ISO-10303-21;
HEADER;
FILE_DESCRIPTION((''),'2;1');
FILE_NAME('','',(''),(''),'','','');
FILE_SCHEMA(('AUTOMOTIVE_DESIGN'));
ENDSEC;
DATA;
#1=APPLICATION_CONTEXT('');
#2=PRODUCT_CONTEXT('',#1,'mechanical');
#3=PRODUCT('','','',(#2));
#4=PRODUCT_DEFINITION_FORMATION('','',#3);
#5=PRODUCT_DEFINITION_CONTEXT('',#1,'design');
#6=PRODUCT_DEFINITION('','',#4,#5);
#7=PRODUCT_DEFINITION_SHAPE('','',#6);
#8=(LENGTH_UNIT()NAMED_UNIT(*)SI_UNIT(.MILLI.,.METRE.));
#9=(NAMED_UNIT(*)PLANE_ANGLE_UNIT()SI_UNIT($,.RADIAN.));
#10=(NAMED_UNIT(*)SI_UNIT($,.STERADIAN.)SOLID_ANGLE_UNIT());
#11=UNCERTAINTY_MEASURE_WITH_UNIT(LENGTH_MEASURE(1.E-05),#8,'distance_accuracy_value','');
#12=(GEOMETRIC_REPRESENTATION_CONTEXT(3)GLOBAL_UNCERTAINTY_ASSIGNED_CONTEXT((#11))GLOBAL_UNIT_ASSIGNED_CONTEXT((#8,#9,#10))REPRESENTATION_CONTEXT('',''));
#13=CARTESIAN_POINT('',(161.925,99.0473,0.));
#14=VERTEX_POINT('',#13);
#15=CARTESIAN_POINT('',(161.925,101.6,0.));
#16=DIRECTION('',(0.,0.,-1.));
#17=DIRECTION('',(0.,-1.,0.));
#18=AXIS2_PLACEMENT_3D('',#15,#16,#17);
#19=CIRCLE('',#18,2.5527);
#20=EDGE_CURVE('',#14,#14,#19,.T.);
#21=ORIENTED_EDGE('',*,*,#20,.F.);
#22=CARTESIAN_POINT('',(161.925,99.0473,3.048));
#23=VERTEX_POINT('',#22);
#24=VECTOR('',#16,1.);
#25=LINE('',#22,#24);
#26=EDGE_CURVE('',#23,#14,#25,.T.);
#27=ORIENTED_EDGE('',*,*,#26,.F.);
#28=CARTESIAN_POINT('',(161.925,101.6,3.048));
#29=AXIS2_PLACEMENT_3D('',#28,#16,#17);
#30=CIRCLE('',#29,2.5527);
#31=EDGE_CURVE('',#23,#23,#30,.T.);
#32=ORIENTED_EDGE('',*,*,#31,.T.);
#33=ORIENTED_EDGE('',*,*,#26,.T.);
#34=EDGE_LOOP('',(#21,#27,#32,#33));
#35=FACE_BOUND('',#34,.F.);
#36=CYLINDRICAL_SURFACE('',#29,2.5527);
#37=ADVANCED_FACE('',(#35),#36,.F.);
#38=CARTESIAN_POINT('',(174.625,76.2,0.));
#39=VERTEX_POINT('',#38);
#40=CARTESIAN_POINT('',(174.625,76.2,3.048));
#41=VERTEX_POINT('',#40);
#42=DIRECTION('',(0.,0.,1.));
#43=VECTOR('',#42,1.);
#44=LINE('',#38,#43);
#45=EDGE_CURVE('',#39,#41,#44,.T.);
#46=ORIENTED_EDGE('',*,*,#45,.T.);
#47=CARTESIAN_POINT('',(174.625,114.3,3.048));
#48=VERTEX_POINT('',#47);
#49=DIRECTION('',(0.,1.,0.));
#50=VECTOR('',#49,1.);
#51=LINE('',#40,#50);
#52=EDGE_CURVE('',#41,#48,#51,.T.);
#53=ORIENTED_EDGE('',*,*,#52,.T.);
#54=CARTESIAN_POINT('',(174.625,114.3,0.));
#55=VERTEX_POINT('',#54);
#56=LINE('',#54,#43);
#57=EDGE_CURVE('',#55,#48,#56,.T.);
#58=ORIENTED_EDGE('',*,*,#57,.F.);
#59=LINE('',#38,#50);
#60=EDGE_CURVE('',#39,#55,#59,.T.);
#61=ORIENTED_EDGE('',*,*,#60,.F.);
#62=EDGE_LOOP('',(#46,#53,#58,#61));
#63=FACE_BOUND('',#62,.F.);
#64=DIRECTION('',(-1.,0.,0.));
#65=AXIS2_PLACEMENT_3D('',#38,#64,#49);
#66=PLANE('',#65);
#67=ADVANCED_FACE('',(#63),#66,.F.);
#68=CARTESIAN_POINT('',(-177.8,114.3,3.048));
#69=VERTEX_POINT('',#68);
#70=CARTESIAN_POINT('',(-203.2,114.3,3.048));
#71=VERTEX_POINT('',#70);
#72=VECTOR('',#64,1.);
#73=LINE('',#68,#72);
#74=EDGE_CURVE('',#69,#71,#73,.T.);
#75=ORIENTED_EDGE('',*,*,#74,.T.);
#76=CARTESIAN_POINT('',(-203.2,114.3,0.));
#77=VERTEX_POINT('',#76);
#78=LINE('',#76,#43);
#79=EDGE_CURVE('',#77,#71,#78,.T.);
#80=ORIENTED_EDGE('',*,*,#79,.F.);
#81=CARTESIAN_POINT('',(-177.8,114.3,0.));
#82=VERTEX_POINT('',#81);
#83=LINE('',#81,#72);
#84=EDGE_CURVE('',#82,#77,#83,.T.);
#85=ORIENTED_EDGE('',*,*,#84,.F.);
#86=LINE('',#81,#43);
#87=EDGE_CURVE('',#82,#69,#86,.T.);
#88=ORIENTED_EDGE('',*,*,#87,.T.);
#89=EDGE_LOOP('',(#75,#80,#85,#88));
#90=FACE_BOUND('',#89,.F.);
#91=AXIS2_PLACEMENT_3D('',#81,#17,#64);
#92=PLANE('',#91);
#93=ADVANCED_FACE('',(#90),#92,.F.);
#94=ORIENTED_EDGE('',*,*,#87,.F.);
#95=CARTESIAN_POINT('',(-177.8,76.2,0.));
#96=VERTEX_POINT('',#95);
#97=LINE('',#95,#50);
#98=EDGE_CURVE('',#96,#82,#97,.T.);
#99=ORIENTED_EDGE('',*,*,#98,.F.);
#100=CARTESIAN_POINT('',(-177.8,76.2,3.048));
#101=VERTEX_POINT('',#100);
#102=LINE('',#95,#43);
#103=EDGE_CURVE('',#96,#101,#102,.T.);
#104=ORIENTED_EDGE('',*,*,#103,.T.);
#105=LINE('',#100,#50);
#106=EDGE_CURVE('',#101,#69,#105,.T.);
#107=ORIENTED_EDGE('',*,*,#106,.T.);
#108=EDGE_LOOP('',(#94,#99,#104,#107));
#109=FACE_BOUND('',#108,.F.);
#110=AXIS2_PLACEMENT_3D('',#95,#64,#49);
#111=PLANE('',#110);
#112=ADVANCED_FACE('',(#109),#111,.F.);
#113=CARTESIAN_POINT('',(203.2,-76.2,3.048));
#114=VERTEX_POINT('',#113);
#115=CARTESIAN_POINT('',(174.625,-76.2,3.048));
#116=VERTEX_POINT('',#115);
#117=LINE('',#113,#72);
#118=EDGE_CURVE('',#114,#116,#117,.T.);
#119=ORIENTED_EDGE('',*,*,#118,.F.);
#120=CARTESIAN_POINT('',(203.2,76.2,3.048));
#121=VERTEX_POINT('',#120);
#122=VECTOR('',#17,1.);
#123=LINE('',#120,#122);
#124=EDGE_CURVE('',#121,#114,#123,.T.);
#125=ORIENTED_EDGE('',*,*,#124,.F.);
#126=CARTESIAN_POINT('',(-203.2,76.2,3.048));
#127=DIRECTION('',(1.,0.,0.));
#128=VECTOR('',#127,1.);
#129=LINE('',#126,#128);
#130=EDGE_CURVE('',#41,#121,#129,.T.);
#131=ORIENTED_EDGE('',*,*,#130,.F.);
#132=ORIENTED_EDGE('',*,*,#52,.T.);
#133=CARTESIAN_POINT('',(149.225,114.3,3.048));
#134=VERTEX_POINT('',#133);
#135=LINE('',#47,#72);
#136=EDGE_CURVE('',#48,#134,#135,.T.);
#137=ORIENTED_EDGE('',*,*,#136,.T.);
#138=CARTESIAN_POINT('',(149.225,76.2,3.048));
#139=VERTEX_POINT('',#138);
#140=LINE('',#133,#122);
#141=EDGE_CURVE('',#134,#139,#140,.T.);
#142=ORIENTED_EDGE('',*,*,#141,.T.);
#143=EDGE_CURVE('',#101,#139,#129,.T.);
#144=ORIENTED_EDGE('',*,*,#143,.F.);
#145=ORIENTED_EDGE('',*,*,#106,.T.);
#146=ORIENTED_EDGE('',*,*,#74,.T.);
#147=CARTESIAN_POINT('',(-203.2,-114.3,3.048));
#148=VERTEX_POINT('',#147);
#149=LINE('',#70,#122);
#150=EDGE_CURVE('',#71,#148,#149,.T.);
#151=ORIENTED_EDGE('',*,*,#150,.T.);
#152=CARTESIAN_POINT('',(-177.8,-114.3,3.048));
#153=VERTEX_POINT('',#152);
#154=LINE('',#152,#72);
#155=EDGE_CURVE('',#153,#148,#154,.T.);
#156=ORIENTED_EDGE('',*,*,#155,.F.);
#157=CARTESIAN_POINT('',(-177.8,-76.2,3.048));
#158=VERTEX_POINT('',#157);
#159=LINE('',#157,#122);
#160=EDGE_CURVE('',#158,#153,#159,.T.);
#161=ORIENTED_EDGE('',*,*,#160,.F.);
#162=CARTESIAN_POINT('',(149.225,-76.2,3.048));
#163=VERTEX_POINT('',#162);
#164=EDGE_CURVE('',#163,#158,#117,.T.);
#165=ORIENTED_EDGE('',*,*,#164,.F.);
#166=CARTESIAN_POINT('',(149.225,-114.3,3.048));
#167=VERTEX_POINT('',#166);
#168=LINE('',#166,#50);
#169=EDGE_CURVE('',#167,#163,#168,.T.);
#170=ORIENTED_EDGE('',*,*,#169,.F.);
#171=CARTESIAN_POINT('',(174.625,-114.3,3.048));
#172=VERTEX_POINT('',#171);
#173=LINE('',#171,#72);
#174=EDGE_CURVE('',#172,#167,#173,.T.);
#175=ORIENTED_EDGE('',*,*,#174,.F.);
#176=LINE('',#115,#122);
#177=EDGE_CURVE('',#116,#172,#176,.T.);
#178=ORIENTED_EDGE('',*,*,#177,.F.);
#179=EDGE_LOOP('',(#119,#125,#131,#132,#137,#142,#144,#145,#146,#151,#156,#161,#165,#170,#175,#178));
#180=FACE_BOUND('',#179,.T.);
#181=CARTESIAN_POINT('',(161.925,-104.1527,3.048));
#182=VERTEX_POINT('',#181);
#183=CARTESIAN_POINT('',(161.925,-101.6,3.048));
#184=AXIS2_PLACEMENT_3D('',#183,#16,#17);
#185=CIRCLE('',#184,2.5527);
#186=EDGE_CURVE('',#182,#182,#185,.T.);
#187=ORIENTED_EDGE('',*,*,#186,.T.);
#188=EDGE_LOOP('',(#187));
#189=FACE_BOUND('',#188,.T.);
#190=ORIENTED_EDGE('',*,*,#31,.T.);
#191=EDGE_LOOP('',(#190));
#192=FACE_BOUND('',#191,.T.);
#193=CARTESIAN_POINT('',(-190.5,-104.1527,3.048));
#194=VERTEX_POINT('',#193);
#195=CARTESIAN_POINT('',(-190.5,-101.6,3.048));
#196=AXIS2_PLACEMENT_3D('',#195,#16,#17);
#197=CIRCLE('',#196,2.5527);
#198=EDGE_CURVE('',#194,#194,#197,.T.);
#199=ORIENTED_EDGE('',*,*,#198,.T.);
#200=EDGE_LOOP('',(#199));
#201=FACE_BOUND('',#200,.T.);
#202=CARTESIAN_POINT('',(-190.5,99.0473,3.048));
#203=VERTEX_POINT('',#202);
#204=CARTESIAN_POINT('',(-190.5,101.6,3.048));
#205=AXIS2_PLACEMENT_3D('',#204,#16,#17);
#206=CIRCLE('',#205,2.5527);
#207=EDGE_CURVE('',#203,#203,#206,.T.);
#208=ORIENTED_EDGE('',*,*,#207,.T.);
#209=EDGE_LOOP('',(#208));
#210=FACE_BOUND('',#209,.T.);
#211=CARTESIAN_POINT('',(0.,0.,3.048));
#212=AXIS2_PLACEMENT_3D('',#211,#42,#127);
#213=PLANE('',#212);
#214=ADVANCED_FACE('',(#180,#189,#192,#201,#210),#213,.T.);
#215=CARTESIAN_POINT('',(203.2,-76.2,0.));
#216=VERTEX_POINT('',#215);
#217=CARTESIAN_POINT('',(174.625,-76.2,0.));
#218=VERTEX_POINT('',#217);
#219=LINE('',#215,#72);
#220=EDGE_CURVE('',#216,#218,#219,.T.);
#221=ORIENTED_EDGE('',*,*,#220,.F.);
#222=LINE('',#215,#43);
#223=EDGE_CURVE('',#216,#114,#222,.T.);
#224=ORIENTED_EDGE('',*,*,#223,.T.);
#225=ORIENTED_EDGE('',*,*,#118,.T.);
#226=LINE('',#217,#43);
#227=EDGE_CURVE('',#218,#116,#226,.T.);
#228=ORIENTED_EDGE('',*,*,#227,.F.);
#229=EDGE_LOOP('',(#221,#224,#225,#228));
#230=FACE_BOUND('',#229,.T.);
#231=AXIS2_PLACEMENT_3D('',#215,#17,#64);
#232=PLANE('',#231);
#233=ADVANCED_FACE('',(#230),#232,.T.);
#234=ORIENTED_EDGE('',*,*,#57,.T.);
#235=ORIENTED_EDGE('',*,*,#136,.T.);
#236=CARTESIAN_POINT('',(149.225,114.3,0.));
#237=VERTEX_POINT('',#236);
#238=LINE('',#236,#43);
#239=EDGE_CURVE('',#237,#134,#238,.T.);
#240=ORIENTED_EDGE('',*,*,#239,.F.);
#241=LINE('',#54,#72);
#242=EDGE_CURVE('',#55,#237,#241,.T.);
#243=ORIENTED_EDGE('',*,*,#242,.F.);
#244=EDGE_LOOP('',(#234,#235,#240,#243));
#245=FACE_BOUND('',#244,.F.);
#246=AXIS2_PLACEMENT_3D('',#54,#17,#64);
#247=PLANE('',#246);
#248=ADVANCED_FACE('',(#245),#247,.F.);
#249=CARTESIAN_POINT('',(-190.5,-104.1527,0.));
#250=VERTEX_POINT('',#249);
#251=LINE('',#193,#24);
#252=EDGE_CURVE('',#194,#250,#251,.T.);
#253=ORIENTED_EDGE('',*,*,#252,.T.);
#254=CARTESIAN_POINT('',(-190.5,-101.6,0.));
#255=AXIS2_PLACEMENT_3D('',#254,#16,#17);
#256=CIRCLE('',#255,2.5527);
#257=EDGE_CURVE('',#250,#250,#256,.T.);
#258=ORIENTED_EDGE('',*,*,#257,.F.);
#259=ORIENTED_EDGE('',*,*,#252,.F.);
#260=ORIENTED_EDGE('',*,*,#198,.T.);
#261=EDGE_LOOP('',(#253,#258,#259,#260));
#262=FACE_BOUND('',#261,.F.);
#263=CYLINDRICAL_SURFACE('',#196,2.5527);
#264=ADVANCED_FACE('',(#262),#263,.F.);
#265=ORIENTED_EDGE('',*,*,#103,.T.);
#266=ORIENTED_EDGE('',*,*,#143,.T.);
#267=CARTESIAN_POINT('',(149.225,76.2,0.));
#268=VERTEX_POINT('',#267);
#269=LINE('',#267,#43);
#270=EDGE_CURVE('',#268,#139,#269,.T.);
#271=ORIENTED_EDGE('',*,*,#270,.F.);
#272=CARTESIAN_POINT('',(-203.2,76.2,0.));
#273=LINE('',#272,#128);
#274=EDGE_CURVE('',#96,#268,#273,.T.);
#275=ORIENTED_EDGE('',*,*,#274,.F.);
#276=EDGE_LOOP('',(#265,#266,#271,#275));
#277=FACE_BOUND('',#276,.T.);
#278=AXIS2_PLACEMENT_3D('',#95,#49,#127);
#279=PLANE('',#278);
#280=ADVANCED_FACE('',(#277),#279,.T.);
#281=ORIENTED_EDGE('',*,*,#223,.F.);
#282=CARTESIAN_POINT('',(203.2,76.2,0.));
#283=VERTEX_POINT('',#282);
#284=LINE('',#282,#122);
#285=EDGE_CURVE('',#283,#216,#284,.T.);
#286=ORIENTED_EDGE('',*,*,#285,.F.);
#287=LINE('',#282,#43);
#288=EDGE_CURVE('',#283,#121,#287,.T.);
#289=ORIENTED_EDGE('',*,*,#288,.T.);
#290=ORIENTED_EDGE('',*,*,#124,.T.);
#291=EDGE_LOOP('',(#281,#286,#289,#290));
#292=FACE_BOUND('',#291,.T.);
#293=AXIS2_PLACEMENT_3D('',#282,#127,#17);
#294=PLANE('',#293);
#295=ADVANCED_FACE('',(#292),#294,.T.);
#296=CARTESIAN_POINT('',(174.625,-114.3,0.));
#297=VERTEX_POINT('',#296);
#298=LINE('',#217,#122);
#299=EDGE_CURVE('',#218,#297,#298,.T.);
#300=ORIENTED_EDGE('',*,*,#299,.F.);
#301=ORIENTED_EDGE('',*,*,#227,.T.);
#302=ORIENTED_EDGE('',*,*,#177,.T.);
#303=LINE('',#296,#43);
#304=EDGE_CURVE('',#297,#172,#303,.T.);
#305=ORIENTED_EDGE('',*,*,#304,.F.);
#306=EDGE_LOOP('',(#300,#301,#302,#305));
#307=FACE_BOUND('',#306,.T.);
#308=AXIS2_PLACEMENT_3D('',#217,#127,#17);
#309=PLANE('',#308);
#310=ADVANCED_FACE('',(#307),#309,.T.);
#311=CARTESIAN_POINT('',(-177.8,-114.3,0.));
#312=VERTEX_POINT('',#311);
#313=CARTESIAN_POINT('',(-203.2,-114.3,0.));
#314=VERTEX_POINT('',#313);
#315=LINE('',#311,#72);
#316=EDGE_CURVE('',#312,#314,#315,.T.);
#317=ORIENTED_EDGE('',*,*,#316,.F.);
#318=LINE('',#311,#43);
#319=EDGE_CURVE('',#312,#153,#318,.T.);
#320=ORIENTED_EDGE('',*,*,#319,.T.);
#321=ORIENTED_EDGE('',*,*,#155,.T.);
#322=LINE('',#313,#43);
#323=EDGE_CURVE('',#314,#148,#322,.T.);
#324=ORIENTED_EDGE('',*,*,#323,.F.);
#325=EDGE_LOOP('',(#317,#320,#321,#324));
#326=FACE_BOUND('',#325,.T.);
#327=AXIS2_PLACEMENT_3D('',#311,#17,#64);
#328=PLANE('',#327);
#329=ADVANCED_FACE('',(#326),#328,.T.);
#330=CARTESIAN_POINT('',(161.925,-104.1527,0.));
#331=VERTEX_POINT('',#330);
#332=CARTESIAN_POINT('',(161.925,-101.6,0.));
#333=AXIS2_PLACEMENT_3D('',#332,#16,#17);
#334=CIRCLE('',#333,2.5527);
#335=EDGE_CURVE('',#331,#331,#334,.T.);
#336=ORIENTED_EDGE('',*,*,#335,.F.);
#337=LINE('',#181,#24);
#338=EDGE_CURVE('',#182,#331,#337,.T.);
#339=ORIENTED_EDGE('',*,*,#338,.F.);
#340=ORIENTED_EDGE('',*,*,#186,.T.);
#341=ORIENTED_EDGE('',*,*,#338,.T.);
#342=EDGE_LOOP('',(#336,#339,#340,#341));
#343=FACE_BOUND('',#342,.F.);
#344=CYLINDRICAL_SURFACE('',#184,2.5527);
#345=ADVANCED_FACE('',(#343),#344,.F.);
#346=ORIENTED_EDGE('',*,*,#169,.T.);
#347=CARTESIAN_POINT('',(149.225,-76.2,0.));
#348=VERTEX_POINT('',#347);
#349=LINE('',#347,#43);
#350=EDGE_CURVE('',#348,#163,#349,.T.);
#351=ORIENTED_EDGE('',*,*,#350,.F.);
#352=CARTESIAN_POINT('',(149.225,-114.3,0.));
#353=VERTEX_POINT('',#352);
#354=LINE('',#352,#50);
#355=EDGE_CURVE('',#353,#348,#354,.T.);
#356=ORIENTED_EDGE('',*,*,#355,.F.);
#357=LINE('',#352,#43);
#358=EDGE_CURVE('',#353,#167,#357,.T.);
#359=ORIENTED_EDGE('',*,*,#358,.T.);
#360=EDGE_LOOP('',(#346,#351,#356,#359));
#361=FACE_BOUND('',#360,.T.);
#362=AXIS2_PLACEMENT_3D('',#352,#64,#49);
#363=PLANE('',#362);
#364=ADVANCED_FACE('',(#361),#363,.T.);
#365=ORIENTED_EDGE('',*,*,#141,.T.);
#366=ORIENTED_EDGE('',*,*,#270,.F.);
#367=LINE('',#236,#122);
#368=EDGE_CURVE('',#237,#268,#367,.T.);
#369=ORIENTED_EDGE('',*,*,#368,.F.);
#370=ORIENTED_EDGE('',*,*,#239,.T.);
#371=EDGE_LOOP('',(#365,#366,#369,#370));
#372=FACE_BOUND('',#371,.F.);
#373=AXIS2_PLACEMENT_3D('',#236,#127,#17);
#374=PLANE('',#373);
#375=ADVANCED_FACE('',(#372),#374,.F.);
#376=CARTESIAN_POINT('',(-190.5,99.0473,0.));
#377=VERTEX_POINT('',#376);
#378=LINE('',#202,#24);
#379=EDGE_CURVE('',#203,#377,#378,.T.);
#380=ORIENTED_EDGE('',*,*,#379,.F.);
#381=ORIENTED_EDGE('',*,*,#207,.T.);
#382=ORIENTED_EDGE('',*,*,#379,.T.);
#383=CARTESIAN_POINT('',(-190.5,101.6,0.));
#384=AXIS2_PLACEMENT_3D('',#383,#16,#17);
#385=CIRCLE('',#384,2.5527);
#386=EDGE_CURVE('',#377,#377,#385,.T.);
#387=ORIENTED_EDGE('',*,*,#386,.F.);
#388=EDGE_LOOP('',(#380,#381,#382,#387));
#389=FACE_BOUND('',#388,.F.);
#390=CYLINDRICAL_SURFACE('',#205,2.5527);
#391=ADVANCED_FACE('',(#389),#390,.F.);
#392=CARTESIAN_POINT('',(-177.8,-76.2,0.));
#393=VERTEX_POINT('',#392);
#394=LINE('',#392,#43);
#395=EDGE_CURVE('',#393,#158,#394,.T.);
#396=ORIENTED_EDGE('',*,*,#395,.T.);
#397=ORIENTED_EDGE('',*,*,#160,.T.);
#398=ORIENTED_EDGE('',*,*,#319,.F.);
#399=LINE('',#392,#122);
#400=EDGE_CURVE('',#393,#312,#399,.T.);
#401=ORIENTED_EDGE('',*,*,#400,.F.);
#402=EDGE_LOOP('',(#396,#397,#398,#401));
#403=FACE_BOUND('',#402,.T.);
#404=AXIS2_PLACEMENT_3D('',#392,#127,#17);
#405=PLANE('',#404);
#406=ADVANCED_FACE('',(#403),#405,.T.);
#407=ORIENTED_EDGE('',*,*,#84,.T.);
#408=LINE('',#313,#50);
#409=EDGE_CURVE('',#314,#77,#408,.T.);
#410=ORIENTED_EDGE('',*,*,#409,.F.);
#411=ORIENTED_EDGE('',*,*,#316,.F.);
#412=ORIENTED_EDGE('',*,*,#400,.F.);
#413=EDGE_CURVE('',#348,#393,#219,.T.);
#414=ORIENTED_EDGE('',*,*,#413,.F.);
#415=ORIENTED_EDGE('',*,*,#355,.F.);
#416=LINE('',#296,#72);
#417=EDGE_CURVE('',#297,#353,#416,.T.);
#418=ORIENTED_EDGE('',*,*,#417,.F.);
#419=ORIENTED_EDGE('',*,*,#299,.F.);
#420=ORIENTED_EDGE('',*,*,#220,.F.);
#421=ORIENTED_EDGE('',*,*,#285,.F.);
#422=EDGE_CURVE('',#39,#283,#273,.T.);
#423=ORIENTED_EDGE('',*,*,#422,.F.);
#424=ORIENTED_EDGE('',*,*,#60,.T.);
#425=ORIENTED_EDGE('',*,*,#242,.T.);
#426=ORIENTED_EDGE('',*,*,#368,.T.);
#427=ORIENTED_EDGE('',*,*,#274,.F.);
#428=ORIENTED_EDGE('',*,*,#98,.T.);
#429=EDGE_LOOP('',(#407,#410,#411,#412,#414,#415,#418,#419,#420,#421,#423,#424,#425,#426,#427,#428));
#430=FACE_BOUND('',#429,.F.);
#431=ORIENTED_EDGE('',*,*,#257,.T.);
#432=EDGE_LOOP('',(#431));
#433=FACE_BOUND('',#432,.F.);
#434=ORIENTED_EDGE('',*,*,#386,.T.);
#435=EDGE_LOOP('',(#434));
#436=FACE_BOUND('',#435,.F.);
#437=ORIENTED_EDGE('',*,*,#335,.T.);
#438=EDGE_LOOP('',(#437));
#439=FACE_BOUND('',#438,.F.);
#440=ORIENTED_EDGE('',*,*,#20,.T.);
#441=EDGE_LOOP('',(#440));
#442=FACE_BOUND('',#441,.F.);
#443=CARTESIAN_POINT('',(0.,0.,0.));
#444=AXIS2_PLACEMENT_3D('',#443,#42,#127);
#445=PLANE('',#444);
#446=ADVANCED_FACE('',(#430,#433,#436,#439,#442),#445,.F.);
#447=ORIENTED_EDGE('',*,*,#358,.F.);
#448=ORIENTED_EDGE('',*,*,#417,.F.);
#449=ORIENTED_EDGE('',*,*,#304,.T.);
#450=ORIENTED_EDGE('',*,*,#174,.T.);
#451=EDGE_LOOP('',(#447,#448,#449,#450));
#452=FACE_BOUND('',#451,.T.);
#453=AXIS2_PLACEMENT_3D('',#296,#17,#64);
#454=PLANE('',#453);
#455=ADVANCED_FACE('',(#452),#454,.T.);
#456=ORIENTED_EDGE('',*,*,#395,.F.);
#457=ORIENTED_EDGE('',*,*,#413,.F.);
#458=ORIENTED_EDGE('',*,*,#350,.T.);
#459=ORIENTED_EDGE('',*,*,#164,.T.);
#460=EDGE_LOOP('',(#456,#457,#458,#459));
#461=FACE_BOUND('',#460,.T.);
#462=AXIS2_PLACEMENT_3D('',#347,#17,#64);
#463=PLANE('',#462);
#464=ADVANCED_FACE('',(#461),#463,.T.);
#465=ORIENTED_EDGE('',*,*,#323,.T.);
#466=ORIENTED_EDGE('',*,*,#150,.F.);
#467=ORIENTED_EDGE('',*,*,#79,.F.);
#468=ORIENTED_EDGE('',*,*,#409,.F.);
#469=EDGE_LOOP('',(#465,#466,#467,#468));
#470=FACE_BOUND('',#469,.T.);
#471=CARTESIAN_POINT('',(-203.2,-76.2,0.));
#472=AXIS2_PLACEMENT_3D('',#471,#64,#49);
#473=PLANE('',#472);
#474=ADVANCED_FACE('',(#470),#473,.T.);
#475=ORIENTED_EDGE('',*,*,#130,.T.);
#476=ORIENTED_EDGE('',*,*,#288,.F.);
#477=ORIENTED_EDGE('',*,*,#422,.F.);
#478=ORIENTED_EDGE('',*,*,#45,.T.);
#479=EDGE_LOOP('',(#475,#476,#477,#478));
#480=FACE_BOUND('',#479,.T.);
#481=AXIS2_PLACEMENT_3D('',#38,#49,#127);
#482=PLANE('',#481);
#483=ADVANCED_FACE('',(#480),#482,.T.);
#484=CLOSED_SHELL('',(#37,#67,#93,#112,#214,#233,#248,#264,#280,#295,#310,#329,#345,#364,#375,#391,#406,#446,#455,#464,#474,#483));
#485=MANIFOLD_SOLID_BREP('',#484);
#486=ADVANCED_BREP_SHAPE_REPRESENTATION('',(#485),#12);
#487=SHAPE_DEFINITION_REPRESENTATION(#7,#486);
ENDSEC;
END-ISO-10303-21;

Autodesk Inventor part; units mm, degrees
ref_plane "YZ Plane" through (0, 0, 0) normal (1, 0, 0) x (0, 1, 0)
ref_plane "XZ Plane" through (0, 0, 0) normal (0, 1, 0) x (-1, 0, 0)
ref_plane "XY Plane" through (0, 0, 0) normal (0, 0, 1) x (1, 0, 0)
sketch "Sketch1" plane through (0, 0, 0) normal (0, 0, 1) x (1, 0, 0)
  line L0 (203.2, -76.2) -> (-203.2, -76.2)
  line L1 (-203.2, -76.2) -> (-203.2, 76.2)
  line L2 (-203.2, 76.2) -> (203.2, 76.2)
  line L3 (203.2, 76.2) -> (203.2, -76.2)
  line L4 (203.2, -76.2) -> (-203.2, 76.2) construction
  line L5 (-203.2, -76.2) -> (203.2, 76.2) construction
  line L6 (149.225, -76.2) -> (174.625, -76.2)
  line L7 (174.625, -76.2) -> (174.625, -114.3)
  line L8 (174.625, -114.3) -> (149.225, -114.3)
  line L9 (149.225, -114.3) -> (149.225, -76.2)
  line L10 (0, 0) -> (203.2, 0) construction
  line L11 (174.625, 76.2) -> (174.625, 114.3)
  line L12 (174.625, 114.3) -> (149.225, 114.3)
  line L13 (149.225, 114.3) -> (149.225, 76.2)
  line L14 (-203.2, -76.2) -> (-177.8, -76.2)
  line L15 (-177.8, -76.2) -> (-177.8, -114.3)
  line L16 (-177.8, -114.3) -> (-203.2, -114.3)
  line L17 (-203.2, -114.3) -> (-203.2, -76.2)
  line L18 (149.225, -114.3) -> (149.225, -76.2)
  line L19 (-177.8, 76.2) -> (-177.8, 114.3)
  line L20 (-177.8, 114.3) -> (-203.2, 114.3)
  line L21 (-203.2, 114.3) -> (-203.2, 76.2)
  dimension "d0" = 406.4
  dimension "d1" = 152.4
  dimension "d2" = 25.4
  dimension "d3" = 38.1
  dimension "d4" = 28.575
  dimension "d6" = 25.4
  dimension "d7" = 38.1
extrude "Plate1" add sketch "Sketch1" along normal blind 3.048
sketch "Sketch2" plane through (0, 0, 3.048) normal (0, 0, 1) x (1, 0, 0)
  line L0 (-203.2, -114.3) -> (-203.2, 114.3) construction
  line L1 (-177.8, -114.3) -> (-203.2, -114.3) construction
  line L2 (-177.8, -76.2) -> (-177.8, -114.3) construction
  line L3 (149.225, -76.2) -> (-177.8, -76.2) construction
  line L4 (149.225, -114.3) -> (149.225, -76.2) construction
  line L5 (174.625, -114.3) -> (149.225, -114.3) construction
  line L6 (174.625, -76.2) -> (174.625, -114.3) construction
  line L7 (203.2, -76.2) -> (174.625, -76.2) construction
  line L8 (203.2, 76.2) -> (203.2, -76.2) construction
  line L9 (174.625, 76.2) -> (203.2, 76.2) construction
  line L10 (174.625, 114.3) -> (174.625, 76.2) construction
  line L11 (149.225, 114.3) -> (174.625, 114.3) construction
  line L12 (149.225, 76.2) -> (149.225, 114.3) construction
  line L13 (-177.8, 76.2) -> (149.225, 76.2) construction
  line L14 (-177.8, 114.3) -> (-177.8, 76.2) construction
  line L15 (-203.2, 114.3) -> (-177.8, 114.3) construction
  point P0 (0, 0)
  point P1 (-190.5, 101.6)
  point P2 (161.925, 101.6)
  point P3 (-190.5, -101.6)
  point P4 (161.925, -101.6)
  dimension "d8" = 12.7
  dimension "d9" = 12.7
  dimension "d12" = 352.425
  dimension "d15" = 203.2
hole "Hole1" at (-190.5, 101.6, 3.048) at (161.925, 101.6, 3.048) at (-190.5, -101.6, 3.048) at (161.925, -101.6, 3.048) direction (0, 0, -1) diameter 5.1054 end through all clearance for "Flat Head Machine Screw (82)" size "#10" standard "Ansi Unified Screw Threads"
equation "\"d23\" = Thickness"
equation "\"d5\" = Thickness"
equation "\"BendRadius\" = Thickness"
equation "\"BendReliefWidth\" = Thickness"
equation "\"BendReliefDepth\" = 0.5 * Thickness"
equation "\"CornerReliefSize\" = 4 * Thickness"
equation "\"MinimumRemnant\" = 2 * Thickness"
equation "\"TransitionRadius\" = BendRadius"
equation "\"JacobiRadiusSize\" = BendRadius"
equation "\"GapSize\" = Thickness"
equation "\"Thickness\" = 3.048"
properties part number "feeder_slide_plate" material "Polycarbonate, Clear"
